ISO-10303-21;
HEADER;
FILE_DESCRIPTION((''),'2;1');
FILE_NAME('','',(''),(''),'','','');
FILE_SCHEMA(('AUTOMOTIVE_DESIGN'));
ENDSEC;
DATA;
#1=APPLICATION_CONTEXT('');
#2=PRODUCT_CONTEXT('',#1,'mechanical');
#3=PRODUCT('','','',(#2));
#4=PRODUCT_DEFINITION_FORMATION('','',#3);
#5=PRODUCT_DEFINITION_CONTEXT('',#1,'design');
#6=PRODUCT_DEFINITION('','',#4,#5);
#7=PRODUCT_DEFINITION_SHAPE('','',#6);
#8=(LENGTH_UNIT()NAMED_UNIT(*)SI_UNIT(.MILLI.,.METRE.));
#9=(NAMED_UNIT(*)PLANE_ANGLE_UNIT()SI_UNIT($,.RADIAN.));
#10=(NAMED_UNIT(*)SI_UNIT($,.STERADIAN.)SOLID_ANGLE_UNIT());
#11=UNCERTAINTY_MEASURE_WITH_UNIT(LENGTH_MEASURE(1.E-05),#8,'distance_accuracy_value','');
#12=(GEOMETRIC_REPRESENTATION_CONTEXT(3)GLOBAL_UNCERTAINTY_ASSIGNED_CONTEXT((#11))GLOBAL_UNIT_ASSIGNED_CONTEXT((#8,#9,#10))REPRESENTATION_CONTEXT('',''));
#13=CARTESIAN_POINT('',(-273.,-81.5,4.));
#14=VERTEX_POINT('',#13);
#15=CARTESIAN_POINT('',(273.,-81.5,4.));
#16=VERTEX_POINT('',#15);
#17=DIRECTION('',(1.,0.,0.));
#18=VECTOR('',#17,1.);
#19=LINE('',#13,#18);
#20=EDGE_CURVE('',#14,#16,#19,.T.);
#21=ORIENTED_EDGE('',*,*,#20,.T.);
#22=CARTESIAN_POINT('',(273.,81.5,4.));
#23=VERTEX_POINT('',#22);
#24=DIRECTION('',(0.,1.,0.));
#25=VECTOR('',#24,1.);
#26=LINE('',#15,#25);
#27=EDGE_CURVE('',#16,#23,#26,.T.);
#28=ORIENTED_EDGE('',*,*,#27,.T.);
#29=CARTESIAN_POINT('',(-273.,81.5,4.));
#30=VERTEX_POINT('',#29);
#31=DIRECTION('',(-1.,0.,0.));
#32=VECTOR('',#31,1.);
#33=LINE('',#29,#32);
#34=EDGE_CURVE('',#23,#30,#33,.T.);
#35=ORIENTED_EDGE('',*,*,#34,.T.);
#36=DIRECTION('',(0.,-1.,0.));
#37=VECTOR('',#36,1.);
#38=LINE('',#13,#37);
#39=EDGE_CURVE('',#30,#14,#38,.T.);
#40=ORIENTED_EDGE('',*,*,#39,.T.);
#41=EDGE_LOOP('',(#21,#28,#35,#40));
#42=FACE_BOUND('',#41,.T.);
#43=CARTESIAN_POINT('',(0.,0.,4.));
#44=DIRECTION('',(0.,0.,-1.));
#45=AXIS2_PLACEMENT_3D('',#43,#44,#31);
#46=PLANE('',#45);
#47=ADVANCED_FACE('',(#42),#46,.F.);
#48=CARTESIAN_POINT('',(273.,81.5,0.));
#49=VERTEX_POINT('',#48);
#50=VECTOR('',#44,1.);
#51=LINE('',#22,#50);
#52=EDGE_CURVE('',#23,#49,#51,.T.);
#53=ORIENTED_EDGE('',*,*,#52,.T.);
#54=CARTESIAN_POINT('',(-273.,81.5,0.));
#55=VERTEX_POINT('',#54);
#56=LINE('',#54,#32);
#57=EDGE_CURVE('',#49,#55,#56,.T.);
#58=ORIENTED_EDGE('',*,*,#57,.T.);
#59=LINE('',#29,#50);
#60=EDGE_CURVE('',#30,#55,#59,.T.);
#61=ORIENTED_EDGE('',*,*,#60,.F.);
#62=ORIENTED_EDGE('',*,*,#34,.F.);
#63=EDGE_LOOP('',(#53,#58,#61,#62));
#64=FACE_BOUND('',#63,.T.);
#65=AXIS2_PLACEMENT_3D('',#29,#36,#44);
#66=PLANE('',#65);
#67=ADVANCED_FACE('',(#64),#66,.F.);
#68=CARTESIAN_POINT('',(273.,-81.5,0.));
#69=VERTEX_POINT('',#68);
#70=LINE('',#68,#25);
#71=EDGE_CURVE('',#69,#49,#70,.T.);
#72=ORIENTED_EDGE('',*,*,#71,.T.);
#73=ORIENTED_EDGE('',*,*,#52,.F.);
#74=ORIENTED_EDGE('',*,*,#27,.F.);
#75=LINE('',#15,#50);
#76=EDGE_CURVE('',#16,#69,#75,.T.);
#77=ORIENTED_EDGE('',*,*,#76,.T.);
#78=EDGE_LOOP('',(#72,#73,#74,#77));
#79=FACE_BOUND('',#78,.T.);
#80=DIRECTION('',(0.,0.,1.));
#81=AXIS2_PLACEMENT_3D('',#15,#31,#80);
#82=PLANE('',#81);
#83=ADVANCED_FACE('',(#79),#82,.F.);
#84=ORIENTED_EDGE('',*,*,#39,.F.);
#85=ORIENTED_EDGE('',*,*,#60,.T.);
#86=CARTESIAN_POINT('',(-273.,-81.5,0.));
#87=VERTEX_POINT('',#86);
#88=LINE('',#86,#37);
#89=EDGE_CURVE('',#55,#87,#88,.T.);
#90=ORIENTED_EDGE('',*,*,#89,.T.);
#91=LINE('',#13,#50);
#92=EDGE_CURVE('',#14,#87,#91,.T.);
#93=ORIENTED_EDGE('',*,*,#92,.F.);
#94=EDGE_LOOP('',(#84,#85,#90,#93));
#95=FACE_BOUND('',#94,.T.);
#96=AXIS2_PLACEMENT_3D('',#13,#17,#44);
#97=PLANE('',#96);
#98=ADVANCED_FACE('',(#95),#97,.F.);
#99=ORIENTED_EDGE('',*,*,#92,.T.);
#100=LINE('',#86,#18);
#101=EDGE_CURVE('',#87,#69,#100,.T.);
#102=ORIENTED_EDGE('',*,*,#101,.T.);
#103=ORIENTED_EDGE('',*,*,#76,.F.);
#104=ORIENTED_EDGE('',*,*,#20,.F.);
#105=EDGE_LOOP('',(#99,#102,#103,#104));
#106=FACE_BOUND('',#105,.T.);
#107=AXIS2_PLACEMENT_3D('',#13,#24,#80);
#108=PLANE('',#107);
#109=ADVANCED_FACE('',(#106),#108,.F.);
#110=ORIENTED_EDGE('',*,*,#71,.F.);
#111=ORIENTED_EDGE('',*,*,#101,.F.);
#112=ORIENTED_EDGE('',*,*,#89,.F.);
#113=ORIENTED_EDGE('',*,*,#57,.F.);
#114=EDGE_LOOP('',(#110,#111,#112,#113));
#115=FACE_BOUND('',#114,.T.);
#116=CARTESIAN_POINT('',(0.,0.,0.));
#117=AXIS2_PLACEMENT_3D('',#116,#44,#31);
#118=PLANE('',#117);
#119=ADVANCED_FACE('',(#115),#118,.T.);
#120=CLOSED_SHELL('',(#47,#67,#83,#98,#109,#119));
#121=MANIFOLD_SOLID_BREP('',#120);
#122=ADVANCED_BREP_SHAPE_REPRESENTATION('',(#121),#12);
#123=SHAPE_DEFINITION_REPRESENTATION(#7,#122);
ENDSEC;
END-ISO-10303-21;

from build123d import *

# Parameters (mm, degrees)
ESQUISSE1_W        = 546
ESQUISSE1_H        = 163
BOSS_EXTRU_1_DEPTH = 4


with BuildPart() as part:
    # Esquisse1 → Boss.-Extru.1 (new body)
    with BuildSketch(Plane.XY):
        Rectangle(ESQUISSE1_W, ESQUISSE1_H)
    extrude(amount=BOSS_EXTRU_1_DEPTH)


solid = part.part
